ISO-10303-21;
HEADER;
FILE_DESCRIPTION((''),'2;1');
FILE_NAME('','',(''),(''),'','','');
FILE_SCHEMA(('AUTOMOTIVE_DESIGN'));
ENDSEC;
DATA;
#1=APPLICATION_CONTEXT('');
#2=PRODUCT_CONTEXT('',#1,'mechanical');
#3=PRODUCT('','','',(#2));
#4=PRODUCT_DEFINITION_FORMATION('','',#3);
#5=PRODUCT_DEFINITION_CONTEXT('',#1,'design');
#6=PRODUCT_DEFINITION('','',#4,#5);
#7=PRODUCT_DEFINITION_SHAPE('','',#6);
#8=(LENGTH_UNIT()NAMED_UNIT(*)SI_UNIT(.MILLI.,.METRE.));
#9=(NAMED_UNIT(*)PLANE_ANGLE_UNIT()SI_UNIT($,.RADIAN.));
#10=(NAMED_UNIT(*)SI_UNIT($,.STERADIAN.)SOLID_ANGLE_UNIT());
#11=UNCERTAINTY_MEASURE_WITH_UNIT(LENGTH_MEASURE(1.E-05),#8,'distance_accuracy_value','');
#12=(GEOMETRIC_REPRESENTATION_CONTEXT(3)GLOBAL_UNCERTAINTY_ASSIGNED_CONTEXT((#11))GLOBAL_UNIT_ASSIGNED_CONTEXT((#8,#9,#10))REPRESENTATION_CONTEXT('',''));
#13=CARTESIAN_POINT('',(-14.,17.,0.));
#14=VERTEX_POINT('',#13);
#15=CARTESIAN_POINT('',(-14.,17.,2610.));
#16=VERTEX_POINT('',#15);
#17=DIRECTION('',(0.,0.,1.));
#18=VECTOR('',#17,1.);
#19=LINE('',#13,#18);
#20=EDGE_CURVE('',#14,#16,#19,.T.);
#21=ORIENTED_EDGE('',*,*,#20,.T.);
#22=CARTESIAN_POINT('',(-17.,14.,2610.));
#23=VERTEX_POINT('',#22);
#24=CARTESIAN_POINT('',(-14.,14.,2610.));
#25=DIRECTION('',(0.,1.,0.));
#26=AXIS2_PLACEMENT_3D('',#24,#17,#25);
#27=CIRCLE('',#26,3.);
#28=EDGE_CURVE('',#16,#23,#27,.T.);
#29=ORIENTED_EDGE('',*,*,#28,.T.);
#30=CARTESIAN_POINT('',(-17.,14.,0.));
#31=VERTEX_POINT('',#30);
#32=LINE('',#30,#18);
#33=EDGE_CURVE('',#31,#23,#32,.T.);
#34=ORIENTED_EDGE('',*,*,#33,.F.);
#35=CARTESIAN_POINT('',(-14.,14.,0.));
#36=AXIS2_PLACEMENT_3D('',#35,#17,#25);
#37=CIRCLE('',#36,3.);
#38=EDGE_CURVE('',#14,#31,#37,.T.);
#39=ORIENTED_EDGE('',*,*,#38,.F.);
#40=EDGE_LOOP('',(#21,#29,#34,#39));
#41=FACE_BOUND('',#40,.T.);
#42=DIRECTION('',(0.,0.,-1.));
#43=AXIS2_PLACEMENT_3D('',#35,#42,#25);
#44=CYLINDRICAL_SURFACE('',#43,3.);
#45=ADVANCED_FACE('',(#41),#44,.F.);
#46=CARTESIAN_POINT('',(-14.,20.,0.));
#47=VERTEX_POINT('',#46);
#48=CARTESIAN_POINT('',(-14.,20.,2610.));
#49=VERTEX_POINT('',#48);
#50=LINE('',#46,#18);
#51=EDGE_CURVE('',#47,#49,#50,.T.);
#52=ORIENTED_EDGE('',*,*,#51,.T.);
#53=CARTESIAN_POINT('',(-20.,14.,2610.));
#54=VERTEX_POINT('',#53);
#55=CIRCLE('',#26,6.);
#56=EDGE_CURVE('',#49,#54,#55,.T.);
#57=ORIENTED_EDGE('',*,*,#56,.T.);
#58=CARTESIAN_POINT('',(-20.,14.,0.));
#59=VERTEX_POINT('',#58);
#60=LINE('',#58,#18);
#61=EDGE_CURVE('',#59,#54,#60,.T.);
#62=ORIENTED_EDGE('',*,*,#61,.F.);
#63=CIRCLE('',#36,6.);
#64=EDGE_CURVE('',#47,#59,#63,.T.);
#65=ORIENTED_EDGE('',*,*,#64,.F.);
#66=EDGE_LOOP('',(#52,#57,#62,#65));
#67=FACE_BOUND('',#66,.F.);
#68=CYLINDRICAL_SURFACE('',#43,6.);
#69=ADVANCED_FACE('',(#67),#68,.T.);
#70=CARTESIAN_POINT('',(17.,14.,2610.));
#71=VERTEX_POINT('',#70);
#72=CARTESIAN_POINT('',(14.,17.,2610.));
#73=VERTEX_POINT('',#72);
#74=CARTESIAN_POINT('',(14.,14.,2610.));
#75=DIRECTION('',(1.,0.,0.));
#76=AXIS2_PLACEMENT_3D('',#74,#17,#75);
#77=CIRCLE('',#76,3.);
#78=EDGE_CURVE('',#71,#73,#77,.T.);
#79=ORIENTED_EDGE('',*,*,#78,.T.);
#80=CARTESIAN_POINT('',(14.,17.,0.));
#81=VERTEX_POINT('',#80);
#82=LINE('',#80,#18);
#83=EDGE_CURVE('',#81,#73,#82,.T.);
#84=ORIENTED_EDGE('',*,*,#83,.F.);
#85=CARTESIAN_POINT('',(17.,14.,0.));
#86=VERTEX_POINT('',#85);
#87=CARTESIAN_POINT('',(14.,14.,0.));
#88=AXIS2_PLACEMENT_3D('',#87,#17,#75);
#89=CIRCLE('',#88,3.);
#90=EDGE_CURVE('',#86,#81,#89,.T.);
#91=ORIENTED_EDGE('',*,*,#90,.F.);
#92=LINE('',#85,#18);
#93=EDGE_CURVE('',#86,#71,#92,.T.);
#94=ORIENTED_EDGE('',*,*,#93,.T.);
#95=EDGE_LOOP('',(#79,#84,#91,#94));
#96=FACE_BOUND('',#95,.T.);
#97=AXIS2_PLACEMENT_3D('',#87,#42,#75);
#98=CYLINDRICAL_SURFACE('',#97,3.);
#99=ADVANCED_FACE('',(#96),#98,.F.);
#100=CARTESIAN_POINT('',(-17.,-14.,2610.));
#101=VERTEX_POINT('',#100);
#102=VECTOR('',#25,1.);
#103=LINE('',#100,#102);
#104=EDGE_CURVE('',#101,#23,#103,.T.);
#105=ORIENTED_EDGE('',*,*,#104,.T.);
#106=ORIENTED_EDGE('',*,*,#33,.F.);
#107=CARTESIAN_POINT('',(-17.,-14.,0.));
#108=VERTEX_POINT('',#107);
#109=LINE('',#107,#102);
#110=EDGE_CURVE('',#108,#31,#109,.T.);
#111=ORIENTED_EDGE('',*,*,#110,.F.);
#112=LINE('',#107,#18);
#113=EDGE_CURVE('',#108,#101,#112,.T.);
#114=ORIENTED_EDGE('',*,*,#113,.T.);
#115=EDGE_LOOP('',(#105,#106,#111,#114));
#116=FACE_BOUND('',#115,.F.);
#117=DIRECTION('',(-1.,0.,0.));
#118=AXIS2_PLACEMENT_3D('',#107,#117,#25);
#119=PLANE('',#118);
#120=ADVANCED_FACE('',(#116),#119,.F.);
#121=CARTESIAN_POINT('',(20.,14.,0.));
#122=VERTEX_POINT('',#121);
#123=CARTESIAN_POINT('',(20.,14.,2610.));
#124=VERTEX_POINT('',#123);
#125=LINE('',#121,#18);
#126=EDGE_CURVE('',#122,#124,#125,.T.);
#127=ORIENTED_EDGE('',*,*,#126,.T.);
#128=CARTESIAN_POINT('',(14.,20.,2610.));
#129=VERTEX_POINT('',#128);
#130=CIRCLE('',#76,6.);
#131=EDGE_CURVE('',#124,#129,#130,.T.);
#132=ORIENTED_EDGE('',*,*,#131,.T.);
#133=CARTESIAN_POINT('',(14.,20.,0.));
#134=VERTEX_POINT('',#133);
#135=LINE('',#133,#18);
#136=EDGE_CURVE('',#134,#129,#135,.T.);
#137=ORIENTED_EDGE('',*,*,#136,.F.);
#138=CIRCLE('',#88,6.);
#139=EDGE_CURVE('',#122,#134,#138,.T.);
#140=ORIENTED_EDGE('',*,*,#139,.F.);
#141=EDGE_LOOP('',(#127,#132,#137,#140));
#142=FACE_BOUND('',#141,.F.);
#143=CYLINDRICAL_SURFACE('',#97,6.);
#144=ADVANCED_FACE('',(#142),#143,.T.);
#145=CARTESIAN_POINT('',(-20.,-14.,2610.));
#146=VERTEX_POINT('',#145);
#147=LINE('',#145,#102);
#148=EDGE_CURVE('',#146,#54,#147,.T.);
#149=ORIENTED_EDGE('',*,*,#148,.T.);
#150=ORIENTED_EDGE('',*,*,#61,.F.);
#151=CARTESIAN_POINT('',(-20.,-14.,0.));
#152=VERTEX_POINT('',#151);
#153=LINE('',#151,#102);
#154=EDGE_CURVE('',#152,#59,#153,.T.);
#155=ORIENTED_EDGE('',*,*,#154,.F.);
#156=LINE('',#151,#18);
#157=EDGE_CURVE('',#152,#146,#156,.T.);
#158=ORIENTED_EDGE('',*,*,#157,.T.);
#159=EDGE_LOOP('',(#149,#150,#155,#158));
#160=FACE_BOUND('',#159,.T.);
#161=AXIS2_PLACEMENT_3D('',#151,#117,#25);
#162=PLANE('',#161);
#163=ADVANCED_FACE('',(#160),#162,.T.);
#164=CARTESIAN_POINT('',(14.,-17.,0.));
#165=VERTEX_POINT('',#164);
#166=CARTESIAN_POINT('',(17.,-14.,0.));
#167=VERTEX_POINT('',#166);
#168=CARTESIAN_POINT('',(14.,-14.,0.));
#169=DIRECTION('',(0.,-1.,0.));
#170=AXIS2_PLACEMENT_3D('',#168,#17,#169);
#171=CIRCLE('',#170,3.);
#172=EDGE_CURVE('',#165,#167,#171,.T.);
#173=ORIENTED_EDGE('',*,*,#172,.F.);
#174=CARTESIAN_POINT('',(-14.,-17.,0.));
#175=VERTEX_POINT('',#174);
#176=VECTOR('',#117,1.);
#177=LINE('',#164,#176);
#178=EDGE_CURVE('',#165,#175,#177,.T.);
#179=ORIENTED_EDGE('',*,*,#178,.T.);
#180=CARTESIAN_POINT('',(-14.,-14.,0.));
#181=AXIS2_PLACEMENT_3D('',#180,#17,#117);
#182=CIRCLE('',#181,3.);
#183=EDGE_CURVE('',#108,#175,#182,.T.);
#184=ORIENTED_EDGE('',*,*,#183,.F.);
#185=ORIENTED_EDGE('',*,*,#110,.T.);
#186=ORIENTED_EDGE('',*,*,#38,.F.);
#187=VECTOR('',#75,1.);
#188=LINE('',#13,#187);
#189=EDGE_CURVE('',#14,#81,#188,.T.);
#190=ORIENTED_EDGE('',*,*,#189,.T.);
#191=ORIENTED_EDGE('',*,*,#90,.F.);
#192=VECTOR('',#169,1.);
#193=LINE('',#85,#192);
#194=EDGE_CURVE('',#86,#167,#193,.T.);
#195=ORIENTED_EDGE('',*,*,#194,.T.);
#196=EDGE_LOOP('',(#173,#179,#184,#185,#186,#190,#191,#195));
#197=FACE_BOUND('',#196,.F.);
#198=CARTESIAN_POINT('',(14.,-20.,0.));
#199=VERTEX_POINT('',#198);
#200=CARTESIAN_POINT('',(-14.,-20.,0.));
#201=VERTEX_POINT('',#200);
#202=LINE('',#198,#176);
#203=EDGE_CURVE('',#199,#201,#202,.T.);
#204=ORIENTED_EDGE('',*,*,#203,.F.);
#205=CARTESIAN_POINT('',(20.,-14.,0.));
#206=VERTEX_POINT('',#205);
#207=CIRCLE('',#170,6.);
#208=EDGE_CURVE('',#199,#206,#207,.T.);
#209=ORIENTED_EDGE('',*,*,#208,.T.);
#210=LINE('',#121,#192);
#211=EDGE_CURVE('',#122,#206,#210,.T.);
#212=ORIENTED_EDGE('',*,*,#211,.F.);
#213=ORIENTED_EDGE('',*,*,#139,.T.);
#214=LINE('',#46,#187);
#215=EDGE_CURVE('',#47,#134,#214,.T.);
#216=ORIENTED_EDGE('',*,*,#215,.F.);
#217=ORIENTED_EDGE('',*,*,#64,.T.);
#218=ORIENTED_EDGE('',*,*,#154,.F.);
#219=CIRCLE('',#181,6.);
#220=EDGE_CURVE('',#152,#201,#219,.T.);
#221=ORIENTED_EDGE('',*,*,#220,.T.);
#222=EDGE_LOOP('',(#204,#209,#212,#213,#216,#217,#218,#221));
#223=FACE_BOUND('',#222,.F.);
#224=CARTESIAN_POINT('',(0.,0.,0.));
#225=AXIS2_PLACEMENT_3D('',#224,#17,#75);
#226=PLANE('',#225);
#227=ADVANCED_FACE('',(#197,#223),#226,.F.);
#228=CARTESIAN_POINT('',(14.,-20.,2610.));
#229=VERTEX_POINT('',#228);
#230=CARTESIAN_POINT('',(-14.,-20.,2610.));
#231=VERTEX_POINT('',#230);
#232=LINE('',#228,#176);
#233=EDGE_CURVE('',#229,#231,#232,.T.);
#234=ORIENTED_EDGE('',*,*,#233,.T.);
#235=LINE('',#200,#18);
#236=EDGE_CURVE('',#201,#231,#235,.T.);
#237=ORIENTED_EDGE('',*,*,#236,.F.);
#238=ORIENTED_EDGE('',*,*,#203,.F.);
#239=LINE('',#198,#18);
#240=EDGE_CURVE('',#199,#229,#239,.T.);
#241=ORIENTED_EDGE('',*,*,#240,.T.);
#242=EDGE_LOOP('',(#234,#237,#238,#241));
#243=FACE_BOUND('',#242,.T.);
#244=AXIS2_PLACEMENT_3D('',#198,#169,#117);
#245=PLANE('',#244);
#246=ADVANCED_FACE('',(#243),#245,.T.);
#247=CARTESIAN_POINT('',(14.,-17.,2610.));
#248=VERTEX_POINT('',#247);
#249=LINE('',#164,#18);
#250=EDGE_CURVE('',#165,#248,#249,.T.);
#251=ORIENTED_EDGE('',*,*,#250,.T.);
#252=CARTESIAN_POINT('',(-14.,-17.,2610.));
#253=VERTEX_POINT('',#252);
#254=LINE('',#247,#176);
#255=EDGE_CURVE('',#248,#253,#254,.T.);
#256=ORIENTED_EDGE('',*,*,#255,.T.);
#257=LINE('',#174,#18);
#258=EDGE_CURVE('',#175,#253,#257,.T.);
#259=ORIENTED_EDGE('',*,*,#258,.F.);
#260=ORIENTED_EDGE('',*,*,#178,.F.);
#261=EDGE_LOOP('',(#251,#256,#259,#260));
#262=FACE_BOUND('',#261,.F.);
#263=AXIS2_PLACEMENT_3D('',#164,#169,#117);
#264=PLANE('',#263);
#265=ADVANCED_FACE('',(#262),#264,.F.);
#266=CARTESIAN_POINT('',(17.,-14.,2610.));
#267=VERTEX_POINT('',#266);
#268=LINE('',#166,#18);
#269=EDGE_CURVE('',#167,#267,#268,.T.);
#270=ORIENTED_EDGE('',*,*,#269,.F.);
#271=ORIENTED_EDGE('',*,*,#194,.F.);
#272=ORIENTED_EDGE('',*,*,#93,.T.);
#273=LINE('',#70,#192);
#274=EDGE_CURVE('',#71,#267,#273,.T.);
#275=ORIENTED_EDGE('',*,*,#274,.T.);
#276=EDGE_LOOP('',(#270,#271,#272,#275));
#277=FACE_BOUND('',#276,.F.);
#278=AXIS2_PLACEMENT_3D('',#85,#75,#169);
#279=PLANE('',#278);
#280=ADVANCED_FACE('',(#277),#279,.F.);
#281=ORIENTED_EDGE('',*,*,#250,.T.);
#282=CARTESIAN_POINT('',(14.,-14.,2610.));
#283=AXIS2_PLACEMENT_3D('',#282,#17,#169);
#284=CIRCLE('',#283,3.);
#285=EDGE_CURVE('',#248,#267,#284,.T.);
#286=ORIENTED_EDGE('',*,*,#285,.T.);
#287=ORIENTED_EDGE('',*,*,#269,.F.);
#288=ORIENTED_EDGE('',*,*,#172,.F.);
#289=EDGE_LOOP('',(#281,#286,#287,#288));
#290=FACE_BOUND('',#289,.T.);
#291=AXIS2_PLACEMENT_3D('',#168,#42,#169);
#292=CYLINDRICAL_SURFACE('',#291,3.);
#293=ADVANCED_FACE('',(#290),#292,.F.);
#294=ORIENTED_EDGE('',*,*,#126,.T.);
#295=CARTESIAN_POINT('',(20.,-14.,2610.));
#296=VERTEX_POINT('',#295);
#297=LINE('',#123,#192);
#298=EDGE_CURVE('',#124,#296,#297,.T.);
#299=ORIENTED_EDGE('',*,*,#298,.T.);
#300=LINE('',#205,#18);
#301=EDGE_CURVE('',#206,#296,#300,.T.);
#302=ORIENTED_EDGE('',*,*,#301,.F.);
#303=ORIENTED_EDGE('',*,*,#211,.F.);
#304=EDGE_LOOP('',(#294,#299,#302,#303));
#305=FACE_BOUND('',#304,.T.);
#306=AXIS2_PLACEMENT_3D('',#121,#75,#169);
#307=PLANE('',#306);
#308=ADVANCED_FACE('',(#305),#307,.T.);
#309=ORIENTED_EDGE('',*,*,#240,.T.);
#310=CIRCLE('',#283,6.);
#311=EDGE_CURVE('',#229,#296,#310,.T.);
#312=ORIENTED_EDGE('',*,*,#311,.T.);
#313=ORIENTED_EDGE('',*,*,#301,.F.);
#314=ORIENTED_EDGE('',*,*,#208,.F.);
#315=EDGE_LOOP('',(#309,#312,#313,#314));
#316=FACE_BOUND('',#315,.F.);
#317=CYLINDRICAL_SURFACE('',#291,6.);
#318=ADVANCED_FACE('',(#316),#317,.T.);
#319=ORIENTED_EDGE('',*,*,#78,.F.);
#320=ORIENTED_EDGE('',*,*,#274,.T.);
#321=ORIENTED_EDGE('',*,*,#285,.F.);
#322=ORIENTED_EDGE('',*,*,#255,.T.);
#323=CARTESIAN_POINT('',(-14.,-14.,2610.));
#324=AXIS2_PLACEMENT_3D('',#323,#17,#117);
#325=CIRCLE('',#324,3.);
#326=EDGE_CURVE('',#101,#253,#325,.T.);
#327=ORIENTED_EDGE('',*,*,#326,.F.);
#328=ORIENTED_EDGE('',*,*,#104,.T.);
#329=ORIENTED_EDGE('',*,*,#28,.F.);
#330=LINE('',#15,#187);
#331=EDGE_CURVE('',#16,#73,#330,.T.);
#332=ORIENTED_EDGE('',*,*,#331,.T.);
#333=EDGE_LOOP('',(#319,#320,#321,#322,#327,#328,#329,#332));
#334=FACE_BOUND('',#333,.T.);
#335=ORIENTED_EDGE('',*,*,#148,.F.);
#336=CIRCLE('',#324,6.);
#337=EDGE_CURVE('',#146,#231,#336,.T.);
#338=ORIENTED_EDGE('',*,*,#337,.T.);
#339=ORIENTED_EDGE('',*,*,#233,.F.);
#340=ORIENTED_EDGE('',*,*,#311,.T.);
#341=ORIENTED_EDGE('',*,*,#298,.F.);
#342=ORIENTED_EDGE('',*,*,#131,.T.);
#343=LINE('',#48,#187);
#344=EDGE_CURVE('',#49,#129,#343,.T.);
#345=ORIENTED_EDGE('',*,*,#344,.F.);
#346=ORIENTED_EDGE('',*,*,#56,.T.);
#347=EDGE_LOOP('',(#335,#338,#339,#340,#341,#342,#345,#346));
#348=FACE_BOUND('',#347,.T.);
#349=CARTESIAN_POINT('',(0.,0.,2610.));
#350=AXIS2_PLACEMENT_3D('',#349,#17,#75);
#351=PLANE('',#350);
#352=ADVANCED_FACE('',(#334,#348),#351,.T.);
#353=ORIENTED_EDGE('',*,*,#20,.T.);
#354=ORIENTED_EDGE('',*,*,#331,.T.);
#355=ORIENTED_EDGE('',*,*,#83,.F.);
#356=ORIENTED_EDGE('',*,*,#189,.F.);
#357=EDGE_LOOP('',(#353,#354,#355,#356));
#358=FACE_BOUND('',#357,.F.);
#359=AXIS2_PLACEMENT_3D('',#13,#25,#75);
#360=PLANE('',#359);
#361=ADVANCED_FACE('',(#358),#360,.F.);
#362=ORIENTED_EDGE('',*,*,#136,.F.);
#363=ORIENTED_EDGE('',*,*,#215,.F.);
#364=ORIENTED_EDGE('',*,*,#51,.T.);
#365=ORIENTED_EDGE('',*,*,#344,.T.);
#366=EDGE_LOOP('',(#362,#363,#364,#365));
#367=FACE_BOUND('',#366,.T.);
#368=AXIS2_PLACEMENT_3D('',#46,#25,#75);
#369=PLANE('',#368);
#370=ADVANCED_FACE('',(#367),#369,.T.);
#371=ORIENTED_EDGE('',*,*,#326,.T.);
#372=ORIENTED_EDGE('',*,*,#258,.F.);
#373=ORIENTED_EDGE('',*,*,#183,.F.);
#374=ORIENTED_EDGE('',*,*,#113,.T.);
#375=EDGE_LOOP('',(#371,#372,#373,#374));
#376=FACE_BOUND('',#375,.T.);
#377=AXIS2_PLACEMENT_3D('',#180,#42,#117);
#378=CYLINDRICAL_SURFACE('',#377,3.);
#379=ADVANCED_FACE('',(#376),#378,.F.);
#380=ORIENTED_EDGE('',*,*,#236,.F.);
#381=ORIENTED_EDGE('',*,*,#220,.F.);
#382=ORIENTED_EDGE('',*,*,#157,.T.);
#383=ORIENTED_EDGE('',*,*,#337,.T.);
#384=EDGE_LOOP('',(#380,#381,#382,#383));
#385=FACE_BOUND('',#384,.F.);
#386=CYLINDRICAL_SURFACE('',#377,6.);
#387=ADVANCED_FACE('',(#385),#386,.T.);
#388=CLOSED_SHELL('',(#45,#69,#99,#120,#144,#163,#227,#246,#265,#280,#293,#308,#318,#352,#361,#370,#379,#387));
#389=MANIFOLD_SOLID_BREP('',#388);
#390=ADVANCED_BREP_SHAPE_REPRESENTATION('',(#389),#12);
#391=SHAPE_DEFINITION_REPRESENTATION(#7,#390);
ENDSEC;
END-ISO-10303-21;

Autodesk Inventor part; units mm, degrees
ref_plane "YZ Plane" through (0, 0, 0) normal (1, 0, 0) x (0, 1, 0)
ref_plane "Start Plane" through (0, 0, 0) normal (0, 0, 1) x (1, 0, 0)
ref_plane "End Plane" through (0, 0, 2610) normal (0, 0, 1) x (1, 0, 0)
sketch "Sketch" plane through (0, 0, 0) normal (0, 0, 1) x (1, 0, 0)
  line L0 (-20, -14) -> (-20, 14)
  line L1 (-14, 20) -> (14, 20)
  line L2 (20, 14) -> (20, -14)
  line L3 (14, -20) -> (-14, -20)
  arc A0 (-20, -14) -> (-14, -20) centre (-14, -14) ccw
  arc A1 (20, 14) -> (14, 20) centre (14, 14) ccw
  arc A2 (-14, 20) -> (-20, 14) centre (-14, 14) ccw
  arc A3 (14, -20) -> (20, -14) centre (14, -14) ccw
  arc A4 (-14, 17) -> (-17, 14) centre (-14, 14) ccw
  line L4 (-14, 17) -> (14, 17)
  arc A5 (17, 14) -> (14, 17) centre (14, 14) ccw
  line L5 (17, 14) -> (17, -14)
  arc A6 (14, -17) -> (17, -14) centre (14, -14) ccw
  line L6 (14, -17) -> (-14, -17)
  arc A7 (-17, -14) -> (-14, -17) centre (-14, -14) ccw
  line L7 (-17, -14) -> (-17, 14)
  line L8 (0, 29.7397) -> (0, -29.7397) construction
  line L9 (-29.7397, 0) -> (29.7397, 0) construction
  dimension "d7" = 6
  dimension "d9" = 40
  dimension "d11" = 40
  dimension "d12" = 3
  dimension "d15" = 20
  dimension "d16" = 20
extrude "Body" add sketch "Sketch" along normal up to surface (2610 mm away) from surface at 0
sketch "Sketch3" plane through (0, 0, 0) normal (0, 0, 1) x (1, 0, 0)
  line L0 (0, 0) -> (10, 0)
ref_plane "Work Plane3" through (0, 0, 0) normal (0, -1, 0) x (1, 0, 0)
sketch "Sketch4" plane through (0, 0, 0) normal (0, -1, 0) x (1, 0, 0)
  line L0 (-2, 0) -> (12, 0) projected
  line L1 (-2, 2610) -> (12, 2610) projected
  dimension "d18" = 2610
equation "\"d7\" = G_IR"
equation "\"d9\" = G_W"
equation "\"d11\" = G_H"
equation "\"d12\" = G_T"
equation "\"d15\" = 0.5 * d9"
equation "\"d16\" = 0.5 * d11"
equation "\"d3\" = G_L"
equation "\"G_W\" = 40"
equation "\"G_H\" = 40"
equation "\"G_T\" = 3"
equation "\"G_IR\" = 6"
equation "\"G_L\" = d18"
equation "\"G_OFFSET_START\" = 0"
equation "\"G_OFFSET_END\" = 0"
properties part number "ISO 10799-2 - 40x40x3 - 2610" material "Steel, Mild"
